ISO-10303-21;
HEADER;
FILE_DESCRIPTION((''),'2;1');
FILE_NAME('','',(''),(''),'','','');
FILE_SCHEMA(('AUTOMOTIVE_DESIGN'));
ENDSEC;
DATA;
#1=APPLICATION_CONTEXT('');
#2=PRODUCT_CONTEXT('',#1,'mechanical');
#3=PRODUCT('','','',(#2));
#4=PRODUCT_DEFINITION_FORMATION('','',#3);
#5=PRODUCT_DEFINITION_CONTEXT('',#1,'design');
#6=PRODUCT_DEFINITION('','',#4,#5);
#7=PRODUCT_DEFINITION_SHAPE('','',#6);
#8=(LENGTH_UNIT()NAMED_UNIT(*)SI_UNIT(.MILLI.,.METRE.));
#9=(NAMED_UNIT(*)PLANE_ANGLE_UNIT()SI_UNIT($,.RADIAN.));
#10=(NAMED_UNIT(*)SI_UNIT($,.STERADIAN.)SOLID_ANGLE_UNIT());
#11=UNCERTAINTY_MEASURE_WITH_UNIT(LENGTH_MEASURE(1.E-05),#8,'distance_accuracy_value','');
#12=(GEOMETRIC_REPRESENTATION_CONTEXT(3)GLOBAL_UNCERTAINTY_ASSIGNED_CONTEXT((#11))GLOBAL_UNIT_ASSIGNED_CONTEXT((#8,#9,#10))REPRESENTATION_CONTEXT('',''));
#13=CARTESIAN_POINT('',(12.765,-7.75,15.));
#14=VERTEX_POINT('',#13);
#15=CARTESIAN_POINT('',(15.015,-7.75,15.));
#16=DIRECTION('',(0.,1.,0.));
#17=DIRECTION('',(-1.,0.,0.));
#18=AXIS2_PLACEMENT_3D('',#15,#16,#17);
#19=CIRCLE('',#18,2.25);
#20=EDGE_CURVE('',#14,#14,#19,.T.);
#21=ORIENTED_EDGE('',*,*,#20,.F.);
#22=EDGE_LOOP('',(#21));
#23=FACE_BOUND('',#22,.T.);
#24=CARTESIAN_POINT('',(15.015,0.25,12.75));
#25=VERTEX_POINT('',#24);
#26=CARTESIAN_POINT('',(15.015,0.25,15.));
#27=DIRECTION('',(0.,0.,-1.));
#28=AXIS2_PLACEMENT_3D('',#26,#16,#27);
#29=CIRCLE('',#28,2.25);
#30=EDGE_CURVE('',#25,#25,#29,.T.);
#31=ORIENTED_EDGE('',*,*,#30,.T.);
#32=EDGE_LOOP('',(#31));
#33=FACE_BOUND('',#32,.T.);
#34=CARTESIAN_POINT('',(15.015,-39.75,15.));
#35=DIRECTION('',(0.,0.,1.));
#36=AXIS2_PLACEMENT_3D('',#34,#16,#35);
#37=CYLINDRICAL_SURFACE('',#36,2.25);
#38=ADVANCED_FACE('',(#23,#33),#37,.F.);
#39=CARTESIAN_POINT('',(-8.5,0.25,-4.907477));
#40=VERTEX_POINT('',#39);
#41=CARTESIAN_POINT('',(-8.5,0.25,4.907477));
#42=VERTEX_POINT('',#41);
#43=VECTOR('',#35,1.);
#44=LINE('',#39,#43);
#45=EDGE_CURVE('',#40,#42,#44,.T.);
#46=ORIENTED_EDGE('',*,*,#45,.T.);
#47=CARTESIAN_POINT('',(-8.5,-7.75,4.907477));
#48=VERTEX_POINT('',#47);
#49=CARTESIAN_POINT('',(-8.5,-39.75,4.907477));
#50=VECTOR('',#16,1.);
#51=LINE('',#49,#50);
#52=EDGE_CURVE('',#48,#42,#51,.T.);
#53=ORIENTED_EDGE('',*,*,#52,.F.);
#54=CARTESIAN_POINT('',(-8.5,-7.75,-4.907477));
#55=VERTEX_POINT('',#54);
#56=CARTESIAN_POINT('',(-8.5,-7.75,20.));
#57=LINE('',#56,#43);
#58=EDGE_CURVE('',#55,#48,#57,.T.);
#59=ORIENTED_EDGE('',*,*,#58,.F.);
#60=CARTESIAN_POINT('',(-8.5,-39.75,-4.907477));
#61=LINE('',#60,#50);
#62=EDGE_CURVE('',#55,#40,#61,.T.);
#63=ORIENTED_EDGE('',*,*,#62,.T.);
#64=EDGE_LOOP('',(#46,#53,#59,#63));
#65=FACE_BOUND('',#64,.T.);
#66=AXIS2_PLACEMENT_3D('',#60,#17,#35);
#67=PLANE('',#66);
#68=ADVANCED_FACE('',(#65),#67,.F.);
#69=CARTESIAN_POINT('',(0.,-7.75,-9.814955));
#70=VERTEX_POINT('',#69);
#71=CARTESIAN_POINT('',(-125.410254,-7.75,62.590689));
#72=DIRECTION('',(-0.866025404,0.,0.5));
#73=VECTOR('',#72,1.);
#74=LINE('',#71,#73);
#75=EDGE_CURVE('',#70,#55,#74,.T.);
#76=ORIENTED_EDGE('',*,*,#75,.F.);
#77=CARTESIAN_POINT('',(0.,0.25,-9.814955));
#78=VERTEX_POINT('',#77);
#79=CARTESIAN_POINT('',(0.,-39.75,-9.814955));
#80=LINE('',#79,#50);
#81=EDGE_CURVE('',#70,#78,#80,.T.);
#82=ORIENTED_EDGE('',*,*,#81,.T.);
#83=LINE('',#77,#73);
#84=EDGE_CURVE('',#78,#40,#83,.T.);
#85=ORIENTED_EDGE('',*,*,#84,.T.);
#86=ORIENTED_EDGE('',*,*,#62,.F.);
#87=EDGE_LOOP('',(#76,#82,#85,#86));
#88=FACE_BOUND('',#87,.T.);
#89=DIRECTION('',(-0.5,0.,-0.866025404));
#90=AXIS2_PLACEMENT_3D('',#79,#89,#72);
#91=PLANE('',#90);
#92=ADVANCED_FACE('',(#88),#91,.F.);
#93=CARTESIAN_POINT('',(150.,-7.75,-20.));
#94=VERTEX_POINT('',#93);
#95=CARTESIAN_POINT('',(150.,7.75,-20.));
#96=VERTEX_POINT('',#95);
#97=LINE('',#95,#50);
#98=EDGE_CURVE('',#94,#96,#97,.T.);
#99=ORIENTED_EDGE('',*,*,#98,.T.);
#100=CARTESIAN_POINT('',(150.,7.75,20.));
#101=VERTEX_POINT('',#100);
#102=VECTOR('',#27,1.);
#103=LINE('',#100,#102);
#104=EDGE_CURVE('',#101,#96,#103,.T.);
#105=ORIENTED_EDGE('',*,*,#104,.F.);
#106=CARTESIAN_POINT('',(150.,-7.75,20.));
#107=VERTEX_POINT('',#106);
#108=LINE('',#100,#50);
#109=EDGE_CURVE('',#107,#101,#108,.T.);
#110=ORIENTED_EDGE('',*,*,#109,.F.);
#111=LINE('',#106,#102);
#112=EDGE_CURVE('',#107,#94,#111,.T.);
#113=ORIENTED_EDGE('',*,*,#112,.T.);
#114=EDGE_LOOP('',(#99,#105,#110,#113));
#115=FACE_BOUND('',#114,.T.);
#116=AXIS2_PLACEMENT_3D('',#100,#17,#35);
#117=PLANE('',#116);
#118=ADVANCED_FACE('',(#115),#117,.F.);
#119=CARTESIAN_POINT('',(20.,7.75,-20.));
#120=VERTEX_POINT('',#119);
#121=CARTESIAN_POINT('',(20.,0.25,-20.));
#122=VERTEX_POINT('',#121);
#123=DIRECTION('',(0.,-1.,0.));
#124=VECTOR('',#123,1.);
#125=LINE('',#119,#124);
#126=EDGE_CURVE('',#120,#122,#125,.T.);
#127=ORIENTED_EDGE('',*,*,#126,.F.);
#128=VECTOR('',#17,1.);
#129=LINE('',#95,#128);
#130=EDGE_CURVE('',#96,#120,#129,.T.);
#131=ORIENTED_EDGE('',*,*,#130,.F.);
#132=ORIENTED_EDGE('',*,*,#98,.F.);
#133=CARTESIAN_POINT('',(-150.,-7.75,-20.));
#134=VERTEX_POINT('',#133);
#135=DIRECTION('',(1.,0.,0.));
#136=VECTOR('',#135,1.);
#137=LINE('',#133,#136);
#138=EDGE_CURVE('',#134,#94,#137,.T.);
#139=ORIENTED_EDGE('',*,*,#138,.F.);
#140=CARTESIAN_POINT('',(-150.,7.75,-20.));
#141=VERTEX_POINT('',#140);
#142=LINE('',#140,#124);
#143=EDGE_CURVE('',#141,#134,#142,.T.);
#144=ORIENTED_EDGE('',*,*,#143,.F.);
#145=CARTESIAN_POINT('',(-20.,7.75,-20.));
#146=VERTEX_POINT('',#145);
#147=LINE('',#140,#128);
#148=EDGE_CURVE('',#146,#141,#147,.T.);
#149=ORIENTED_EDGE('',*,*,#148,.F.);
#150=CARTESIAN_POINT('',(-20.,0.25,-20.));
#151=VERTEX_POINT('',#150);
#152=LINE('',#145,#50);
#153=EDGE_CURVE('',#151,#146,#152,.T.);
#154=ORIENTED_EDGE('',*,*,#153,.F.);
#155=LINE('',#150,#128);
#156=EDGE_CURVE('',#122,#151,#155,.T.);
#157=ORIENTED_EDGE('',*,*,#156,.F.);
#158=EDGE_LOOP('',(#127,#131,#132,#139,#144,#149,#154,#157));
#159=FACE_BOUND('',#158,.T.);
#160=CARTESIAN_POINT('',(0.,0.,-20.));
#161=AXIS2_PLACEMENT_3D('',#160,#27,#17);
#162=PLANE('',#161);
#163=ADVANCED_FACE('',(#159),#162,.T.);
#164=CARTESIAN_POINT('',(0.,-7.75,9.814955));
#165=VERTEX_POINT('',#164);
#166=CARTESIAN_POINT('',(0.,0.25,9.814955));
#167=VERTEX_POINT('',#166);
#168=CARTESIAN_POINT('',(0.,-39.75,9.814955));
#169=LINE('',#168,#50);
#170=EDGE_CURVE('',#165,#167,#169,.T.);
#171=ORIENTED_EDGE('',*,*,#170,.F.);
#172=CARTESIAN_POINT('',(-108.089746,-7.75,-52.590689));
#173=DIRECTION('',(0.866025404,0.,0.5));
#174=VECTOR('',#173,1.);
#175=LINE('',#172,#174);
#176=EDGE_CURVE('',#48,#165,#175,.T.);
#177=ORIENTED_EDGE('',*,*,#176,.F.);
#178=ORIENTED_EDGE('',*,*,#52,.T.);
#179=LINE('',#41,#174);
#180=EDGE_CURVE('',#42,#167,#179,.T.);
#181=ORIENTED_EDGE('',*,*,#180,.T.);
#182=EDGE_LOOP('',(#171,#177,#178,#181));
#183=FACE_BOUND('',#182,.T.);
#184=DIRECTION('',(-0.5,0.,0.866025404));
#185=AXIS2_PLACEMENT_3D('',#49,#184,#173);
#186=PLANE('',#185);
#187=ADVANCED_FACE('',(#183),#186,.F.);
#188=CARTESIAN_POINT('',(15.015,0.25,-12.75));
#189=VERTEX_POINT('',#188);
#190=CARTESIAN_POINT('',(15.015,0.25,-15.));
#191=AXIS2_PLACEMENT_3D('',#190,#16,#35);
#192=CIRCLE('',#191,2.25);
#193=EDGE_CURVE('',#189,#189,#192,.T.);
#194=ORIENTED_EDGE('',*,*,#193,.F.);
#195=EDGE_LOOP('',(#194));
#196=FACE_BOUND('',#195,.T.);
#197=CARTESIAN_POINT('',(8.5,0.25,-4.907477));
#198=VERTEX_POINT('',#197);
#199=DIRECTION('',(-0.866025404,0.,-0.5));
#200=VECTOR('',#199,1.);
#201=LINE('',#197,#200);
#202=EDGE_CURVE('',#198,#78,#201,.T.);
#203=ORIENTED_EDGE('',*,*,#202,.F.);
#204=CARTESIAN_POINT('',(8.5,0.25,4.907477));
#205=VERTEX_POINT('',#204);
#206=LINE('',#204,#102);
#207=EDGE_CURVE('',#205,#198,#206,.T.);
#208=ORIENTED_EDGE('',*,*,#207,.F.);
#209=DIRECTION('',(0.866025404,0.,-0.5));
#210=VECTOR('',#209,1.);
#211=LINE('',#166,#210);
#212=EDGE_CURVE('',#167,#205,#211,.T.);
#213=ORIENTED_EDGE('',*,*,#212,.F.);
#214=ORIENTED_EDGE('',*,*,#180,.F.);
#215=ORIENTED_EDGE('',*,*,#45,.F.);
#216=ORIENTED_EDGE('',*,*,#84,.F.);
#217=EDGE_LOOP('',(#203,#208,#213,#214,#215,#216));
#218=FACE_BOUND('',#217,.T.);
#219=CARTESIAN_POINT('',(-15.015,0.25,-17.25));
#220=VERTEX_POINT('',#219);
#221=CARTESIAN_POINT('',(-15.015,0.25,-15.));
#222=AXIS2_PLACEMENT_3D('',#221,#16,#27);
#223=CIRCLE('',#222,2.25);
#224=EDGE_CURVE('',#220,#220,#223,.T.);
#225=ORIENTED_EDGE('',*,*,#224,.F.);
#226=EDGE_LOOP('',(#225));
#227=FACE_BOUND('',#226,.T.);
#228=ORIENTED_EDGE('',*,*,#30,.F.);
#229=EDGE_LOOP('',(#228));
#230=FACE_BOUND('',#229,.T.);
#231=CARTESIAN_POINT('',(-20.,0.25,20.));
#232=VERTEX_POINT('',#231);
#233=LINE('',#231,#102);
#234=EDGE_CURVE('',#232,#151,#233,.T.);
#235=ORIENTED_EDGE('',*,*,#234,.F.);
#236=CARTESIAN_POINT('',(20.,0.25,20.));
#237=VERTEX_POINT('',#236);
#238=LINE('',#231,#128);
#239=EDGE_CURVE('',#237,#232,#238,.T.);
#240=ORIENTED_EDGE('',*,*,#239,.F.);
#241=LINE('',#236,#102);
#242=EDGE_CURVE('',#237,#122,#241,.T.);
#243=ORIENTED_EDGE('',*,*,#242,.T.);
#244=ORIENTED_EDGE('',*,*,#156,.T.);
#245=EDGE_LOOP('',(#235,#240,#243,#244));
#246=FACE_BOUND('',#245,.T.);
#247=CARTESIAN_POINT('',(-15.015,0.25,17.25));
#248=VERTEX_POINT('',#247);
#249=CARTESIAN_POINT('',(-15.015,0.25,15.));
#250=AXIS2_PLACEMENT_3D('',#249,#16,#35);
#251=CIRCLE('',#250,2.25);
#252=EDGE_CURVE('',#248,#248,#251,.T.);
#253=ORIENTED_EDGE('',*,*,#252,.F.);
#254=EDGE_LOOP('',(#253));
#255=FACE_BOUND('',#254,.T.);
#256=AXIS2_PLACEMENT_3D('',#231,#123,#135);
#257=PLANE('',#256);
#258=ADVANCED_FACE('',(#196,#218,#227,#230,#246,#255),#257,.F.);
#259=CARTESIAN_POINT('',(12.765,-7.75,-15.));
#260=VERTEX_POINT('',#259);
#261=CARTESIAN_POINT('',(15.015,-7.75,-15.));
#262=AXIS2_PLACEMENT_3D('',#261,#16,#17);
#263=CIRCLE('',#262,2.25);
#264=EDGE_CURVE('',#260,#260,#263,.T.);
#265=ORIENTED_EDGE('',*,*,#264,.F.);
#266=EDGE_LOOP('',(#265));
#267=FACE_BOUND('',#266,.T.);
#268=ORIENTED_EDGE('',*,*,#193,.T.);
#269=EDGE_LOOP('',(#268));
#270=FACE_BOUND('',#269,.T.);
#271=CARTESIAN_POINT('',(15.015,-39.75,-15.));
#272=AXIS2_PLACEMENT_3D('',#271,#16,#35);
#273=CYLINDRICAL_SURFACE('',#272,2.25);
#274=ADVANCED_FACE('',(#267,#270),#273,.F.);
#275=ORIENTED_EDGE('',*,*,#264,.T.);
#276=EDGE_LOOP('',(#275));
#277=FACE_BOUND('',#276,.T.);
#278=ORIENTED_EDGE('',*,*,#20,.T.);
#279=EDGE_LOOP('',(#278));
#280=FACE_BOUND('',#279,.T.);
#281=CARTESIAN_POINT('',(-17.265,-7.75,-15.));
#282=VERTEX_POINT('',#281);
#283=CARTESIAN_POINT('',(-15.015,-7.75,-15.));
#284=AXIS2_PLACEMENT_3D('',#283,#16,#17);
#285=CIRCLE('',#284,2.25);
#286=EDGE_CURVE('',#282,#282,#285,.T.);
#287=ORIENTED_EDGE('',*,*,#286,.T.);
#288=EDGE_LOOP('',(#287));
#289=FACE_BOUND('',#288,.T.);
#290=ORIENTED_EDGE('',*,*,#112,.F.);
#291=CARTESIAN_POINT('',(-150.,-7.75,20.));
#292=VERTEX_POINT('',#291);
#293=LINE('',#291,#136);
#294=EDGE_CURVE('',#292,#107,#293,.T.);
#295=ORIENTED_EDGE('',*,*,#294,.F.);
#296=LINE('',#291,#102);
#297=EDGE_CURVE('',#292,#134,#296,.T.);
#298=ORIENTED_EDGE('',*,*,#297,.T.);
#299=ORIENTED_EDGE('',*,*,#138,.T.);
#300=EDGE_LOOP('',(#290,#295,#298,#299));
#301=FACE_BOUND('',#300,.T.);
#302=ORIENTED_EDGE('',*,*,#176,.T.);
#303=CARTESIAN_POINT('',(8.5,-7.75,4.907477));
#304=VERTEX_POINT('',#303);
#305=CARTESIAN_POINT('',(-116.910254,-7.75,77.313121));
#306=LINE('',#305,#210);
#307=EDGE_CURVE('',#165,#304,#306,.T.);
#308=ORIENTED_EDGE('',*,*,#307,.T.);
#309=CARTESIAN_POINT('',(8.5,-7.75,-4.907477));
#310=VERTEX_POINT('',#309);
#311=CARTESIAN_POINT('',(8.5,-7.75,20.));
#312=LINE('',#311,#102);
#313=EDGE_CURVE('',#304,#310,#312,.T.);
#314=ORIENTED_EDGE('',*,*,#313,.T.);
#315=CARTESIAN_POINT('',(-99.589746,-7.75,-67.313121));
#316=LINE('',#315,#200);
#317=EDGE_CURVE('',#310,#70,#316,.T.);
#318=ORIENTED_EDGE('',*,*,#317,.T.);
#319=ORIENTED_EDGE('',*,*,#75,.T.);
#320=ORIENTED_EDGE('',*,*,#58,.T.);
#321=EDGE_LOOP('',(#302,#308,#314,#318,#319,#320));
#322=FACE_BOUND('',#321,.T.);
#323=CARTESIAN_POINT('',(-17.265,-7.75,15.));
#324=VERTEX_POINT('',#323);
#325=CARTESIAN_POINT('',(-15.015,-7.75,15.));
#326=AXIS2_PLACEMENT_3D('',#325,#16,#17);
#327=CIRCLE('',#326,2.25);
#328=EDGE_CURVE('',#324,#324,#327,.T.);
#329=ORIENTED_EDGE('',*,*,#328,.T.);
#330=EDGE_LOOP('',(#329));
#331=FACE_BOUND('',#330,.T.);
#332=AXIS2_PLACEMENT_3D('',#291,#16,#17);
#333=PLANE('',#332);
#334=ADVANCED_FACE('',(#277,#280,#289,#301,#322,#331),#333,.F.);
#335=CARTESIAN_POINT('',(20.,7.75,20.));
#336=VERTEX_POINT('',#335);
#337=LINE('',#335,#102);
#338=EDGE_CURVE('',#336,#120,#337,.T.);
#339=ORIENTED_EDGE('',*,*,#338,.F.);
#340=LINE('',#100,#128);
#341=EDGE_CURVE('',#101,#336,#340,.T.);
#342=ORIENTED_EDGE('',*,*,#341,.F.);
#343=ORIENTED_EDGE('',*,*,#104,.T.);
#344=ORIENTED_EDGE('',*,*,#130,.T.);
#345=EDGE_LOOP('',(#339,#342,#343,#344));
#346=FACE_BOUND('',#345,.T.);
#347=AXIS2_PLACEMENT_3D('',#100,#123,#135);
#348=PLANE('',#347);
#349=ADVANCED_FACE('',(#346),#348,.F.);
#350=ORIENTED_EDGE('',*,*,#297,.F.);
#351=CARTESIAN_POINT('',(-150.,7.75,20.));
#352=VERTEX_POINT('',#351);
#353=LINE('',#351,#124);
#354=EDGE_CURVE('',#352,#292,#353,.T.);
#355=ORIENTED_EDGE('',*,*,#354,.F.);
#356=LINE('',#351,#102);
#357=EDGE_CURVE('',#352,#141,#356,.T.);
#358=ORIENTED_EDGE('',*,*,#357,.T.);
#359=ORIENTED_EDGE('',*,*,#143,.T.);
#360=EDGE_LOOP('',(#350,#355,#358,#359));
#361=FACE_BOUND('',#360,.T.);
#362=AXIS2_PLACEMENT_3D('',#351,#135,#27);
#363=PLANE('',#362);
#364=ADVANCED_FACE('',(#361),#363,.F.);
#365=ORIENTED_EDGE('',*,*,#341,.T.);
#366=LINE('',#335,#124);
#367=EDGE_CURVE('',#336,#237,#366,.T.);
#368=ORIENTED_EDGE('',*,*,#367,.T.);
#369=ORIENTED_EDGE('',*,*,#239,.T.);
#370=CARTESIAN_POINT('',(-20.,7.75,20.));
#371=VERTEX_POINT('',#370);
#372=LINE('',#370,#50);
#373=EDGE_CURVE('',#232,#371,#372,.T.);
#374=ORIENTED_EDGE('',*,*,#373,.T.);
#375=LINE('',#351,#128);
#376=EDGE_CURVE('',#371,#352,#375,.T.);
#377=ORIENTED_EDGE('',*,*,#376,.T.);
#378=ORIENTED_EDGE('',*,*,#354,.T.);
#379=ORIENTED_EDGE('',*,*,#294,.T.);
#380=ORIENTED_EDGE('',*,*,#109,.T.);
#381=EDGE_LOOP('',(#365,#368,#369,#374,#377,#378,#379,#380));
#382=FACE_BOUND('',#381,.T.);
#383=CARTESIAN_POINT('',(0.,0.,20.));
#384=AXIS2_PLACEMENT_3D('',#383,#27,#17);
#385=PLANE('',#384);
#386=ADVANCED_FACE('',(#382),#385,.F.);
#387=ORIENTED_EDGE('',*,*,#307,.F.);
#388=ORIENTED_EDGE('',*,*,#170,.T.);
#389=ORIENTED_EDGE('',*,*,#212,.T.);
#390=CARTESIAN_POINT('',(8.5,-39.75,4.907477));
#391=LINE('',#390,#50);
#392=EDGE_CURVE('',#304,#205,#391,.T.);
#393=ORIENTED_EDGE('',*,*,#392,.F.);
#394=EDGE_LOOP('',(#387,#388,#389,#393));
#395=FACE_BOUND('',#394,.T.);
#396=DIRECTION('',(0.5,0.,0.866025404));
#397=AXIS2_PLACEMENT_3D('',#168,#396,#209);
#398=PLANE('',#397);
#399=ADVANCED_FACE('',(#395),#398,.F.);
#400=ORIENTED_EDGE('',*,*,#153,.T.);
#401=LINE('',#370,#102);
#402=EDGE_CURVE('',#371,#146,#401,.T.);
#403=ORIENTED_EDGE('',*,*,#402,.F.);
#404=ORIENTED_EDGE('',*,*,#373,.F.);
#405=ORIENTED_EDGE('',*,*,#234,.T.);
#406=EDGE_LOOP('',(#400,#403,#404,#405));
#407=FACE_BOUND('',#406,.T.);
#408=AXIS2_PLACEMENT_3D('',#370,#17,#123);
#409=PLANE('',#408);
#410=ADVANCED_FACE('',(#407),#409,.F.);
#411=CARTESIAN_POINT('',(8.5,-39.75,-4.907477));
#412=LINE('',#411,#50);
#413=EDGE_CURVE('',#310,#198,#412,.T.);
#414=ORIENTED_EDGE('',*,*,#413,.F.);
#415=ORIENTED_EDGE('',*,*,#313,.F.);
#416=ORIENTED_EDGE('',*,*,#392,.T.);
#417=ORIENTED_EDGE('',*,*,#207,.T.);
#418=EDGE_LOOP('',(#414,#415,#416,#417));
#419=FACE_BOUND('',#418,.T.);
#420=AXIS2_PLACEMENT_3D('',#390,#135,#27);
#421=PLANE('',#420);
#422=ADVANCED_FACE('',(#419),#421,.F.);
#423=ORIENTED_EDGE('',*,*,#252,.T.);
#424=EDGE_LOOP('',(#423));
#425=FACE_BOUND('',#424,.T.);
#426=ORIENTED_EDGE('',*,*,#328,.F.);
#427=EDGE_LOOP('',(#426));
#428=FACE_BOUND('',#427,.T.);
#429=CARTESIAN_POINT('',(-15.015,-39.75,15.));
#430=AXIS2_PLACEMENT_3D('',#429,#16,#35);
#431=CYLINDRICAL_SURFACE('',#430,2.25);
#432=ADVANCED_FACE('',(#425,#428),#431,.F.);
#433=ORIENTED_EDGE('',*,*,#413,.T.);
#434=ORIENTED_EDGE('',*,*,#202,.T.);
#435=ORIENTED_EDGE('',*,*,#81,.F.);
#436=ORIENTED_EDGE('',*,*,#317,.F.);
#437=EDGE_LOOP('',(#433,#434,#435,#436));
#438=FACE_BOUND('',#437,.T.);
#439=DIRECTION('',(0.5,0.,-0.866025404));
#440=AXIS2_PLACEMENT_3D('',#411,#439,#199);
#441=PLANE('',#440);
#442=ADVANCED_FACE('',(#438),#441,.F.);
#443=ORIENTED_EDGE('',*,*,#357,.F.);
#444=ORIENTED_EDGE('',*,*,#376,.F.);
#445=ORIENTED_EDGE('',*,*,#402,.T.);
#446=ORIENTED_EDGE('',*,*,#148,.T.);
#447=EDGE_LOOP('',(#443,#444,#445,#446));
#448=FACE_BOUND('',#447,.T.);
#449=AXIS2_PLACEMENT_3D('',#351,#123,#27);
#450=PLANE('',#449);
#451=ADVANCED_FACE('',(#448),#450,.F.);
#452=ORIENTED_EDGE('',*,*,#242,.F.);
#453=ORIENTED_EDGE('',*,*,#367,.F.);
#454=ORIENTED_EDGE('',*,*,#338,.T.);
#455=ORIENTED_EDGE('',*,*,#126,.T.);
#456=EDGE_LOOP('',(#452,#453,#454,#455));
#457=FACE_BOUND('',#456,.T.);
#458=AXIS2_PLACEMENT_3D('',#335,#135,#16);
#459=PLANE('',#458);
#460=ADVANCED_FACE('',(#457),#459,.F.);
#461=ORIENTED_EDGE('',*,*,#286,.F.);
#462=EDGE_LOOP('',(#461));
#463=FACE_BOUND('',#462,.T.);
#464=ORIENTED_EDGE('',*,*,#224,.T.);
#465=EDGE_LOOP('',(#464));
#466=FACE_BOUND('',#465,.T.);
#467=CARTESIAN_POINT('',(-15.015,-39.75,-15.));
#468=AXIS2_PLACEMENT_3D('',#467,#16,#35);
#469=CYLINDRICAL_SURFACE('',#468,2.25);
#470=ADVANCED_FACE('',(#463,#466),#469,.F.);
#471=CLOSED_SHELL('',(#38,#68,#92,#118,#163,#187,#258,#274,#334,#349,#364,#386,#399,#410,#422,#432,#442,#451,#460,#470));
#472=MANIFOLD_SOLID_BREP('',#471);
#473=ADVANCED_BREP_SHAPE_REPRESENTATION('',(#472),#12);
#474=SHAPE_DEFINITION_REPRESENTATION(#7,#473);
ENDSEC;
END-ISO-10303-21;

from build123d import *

# Parameters (mm, degrees)
BOSS_EXTRUDE1_DEPTH = 20
SKETCH2_R           = 2.25
CUT_EXTRUDE1_DEPTH  = 40


with BuildPart() as part:
    # Sketch1 → Boss-Extrude1 (new, symmetric)
    with BuildSketch(Plane.XY):
        Polygon((-150, 7.75), (-150, -7.75), (150, -7.75), (150, 7.75), (20, 7.75), (20, 0.25), (-20, 0.25), (-20, 7.75), align=None)
    extrude(amount=BOSS_EXTRUDE1_DEPTH, both=True)

    # Sketch2 → Cut-Extrude1 (cut)
    with BuildSketch(Plane(origin=(0, 0.25, 0), x_dir=(1, 0, 0), z_dir=(0, 1, 0))):
        with Locations(Location((15.015, 15, 0), (0, 0, 270))):
            Circle(SKETCH2_R)
        with Locations(Location((-15.015, 15, 0), (0, 0, 180))):
            Circle(SKETCH2_R)
        with Locations(Location((15.015, -15, 0), (0, 0, 180))):
            Circle(SKETCH2_R)
        with Locations(Location((-15.015, -15, 0), (0, 0, 270))):
            Circle(SKETCH2_R)
        Polygon((0, -9.814954576), (8.5, -4.907477288), (8.5, 4.907477288), (0, 9.814954576), (-8.5, 4.907477288), (-8.5, -4.907477288), align=None)
    extrude(amount=-CUT_EXTRUDE1_DEPTH, mode=Mode.SUBTRACT)


solid = part.part
